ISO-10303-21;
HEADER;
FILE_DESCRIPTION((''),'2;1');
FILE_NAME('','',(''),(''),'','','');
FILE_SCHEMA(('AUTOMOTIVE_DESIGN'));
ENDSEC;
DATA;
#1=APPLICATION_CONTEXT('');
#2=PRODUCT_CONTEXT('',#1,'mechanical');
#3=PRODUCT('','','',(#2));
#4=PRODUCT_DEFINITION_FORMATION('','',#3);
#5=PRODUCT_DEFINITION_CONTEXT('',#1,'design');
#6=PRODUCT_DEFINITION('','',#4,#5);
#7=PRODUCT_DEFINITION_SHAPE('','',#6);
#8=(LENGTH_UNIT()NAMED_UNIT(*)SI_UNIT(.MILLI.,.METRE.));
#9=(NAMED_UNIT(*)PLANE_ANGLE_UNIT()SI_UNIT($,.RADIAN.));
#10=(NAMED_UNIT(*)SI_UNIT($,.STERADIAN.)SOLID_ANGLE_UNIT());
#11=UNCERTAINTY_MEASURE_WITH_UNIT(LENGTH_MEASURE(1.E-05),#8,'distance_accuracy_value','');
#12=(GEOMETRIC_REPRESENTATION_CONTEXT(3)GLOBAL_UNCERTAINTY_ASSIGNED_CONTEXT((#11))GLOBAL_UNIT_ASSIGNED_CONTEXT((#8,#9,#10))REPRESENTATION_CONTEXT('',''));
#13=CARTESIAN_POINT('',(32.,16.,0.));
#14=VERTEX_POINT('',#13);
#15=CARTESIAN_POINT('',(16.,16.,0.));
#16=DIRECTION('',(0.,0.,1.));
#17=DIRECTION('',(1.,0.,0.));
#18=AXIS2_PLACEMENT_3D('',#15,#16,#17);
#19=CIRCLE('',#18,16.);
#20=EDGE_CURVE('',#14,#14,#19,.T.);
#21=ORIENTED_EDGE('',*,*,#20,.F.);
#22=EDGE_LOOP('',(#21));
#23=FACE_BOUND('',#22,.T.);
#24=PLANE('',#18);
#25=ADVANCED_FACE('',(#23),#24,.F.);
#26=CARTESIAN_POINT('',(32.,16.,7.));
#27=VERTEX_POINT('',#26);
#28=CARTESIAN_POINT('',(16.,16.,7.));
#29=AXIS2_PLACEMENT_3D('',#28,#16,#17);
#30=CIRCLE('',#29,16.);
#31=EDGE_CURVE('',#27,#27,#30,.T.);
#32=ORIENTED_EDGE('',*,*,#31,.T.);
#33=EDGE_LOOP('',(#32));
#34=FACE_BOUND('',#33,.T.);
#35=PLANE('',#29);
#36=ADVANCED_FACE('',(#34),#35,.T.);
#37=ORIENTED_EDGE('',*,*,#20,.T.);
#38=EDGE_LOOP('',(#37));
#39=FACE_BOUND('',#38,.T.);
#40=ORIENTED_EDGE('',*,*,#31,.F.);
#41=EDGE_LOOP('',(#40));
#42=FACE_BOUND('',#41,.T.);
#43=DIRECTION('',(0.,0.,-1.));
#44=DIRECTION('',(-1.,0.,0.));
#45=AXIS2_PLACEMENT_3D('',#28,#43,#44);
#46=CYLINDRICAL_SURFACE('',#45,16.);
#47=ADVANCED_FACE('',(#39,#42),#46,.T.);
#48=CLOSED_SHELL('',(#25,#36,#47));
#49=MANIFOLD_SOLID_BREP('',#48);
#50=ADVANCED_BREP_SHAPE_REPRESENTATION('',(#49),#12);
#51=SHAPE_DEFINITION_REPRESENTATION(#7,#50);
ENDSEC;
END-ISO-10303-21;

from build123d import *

# Parameters (mm, degrees)
SKETCH1_R     = 16
PROFILE_DEPTH = 7


with BuildPart() as part:
    # Sketch1 → Profile (new body)
    with BuildSketch(Plane.XY):
        with Locations((16, 16)):
            Circle(SKETCH1_R)
    extrude(amount=PROFILE_DEPTH)


solid = part.part
